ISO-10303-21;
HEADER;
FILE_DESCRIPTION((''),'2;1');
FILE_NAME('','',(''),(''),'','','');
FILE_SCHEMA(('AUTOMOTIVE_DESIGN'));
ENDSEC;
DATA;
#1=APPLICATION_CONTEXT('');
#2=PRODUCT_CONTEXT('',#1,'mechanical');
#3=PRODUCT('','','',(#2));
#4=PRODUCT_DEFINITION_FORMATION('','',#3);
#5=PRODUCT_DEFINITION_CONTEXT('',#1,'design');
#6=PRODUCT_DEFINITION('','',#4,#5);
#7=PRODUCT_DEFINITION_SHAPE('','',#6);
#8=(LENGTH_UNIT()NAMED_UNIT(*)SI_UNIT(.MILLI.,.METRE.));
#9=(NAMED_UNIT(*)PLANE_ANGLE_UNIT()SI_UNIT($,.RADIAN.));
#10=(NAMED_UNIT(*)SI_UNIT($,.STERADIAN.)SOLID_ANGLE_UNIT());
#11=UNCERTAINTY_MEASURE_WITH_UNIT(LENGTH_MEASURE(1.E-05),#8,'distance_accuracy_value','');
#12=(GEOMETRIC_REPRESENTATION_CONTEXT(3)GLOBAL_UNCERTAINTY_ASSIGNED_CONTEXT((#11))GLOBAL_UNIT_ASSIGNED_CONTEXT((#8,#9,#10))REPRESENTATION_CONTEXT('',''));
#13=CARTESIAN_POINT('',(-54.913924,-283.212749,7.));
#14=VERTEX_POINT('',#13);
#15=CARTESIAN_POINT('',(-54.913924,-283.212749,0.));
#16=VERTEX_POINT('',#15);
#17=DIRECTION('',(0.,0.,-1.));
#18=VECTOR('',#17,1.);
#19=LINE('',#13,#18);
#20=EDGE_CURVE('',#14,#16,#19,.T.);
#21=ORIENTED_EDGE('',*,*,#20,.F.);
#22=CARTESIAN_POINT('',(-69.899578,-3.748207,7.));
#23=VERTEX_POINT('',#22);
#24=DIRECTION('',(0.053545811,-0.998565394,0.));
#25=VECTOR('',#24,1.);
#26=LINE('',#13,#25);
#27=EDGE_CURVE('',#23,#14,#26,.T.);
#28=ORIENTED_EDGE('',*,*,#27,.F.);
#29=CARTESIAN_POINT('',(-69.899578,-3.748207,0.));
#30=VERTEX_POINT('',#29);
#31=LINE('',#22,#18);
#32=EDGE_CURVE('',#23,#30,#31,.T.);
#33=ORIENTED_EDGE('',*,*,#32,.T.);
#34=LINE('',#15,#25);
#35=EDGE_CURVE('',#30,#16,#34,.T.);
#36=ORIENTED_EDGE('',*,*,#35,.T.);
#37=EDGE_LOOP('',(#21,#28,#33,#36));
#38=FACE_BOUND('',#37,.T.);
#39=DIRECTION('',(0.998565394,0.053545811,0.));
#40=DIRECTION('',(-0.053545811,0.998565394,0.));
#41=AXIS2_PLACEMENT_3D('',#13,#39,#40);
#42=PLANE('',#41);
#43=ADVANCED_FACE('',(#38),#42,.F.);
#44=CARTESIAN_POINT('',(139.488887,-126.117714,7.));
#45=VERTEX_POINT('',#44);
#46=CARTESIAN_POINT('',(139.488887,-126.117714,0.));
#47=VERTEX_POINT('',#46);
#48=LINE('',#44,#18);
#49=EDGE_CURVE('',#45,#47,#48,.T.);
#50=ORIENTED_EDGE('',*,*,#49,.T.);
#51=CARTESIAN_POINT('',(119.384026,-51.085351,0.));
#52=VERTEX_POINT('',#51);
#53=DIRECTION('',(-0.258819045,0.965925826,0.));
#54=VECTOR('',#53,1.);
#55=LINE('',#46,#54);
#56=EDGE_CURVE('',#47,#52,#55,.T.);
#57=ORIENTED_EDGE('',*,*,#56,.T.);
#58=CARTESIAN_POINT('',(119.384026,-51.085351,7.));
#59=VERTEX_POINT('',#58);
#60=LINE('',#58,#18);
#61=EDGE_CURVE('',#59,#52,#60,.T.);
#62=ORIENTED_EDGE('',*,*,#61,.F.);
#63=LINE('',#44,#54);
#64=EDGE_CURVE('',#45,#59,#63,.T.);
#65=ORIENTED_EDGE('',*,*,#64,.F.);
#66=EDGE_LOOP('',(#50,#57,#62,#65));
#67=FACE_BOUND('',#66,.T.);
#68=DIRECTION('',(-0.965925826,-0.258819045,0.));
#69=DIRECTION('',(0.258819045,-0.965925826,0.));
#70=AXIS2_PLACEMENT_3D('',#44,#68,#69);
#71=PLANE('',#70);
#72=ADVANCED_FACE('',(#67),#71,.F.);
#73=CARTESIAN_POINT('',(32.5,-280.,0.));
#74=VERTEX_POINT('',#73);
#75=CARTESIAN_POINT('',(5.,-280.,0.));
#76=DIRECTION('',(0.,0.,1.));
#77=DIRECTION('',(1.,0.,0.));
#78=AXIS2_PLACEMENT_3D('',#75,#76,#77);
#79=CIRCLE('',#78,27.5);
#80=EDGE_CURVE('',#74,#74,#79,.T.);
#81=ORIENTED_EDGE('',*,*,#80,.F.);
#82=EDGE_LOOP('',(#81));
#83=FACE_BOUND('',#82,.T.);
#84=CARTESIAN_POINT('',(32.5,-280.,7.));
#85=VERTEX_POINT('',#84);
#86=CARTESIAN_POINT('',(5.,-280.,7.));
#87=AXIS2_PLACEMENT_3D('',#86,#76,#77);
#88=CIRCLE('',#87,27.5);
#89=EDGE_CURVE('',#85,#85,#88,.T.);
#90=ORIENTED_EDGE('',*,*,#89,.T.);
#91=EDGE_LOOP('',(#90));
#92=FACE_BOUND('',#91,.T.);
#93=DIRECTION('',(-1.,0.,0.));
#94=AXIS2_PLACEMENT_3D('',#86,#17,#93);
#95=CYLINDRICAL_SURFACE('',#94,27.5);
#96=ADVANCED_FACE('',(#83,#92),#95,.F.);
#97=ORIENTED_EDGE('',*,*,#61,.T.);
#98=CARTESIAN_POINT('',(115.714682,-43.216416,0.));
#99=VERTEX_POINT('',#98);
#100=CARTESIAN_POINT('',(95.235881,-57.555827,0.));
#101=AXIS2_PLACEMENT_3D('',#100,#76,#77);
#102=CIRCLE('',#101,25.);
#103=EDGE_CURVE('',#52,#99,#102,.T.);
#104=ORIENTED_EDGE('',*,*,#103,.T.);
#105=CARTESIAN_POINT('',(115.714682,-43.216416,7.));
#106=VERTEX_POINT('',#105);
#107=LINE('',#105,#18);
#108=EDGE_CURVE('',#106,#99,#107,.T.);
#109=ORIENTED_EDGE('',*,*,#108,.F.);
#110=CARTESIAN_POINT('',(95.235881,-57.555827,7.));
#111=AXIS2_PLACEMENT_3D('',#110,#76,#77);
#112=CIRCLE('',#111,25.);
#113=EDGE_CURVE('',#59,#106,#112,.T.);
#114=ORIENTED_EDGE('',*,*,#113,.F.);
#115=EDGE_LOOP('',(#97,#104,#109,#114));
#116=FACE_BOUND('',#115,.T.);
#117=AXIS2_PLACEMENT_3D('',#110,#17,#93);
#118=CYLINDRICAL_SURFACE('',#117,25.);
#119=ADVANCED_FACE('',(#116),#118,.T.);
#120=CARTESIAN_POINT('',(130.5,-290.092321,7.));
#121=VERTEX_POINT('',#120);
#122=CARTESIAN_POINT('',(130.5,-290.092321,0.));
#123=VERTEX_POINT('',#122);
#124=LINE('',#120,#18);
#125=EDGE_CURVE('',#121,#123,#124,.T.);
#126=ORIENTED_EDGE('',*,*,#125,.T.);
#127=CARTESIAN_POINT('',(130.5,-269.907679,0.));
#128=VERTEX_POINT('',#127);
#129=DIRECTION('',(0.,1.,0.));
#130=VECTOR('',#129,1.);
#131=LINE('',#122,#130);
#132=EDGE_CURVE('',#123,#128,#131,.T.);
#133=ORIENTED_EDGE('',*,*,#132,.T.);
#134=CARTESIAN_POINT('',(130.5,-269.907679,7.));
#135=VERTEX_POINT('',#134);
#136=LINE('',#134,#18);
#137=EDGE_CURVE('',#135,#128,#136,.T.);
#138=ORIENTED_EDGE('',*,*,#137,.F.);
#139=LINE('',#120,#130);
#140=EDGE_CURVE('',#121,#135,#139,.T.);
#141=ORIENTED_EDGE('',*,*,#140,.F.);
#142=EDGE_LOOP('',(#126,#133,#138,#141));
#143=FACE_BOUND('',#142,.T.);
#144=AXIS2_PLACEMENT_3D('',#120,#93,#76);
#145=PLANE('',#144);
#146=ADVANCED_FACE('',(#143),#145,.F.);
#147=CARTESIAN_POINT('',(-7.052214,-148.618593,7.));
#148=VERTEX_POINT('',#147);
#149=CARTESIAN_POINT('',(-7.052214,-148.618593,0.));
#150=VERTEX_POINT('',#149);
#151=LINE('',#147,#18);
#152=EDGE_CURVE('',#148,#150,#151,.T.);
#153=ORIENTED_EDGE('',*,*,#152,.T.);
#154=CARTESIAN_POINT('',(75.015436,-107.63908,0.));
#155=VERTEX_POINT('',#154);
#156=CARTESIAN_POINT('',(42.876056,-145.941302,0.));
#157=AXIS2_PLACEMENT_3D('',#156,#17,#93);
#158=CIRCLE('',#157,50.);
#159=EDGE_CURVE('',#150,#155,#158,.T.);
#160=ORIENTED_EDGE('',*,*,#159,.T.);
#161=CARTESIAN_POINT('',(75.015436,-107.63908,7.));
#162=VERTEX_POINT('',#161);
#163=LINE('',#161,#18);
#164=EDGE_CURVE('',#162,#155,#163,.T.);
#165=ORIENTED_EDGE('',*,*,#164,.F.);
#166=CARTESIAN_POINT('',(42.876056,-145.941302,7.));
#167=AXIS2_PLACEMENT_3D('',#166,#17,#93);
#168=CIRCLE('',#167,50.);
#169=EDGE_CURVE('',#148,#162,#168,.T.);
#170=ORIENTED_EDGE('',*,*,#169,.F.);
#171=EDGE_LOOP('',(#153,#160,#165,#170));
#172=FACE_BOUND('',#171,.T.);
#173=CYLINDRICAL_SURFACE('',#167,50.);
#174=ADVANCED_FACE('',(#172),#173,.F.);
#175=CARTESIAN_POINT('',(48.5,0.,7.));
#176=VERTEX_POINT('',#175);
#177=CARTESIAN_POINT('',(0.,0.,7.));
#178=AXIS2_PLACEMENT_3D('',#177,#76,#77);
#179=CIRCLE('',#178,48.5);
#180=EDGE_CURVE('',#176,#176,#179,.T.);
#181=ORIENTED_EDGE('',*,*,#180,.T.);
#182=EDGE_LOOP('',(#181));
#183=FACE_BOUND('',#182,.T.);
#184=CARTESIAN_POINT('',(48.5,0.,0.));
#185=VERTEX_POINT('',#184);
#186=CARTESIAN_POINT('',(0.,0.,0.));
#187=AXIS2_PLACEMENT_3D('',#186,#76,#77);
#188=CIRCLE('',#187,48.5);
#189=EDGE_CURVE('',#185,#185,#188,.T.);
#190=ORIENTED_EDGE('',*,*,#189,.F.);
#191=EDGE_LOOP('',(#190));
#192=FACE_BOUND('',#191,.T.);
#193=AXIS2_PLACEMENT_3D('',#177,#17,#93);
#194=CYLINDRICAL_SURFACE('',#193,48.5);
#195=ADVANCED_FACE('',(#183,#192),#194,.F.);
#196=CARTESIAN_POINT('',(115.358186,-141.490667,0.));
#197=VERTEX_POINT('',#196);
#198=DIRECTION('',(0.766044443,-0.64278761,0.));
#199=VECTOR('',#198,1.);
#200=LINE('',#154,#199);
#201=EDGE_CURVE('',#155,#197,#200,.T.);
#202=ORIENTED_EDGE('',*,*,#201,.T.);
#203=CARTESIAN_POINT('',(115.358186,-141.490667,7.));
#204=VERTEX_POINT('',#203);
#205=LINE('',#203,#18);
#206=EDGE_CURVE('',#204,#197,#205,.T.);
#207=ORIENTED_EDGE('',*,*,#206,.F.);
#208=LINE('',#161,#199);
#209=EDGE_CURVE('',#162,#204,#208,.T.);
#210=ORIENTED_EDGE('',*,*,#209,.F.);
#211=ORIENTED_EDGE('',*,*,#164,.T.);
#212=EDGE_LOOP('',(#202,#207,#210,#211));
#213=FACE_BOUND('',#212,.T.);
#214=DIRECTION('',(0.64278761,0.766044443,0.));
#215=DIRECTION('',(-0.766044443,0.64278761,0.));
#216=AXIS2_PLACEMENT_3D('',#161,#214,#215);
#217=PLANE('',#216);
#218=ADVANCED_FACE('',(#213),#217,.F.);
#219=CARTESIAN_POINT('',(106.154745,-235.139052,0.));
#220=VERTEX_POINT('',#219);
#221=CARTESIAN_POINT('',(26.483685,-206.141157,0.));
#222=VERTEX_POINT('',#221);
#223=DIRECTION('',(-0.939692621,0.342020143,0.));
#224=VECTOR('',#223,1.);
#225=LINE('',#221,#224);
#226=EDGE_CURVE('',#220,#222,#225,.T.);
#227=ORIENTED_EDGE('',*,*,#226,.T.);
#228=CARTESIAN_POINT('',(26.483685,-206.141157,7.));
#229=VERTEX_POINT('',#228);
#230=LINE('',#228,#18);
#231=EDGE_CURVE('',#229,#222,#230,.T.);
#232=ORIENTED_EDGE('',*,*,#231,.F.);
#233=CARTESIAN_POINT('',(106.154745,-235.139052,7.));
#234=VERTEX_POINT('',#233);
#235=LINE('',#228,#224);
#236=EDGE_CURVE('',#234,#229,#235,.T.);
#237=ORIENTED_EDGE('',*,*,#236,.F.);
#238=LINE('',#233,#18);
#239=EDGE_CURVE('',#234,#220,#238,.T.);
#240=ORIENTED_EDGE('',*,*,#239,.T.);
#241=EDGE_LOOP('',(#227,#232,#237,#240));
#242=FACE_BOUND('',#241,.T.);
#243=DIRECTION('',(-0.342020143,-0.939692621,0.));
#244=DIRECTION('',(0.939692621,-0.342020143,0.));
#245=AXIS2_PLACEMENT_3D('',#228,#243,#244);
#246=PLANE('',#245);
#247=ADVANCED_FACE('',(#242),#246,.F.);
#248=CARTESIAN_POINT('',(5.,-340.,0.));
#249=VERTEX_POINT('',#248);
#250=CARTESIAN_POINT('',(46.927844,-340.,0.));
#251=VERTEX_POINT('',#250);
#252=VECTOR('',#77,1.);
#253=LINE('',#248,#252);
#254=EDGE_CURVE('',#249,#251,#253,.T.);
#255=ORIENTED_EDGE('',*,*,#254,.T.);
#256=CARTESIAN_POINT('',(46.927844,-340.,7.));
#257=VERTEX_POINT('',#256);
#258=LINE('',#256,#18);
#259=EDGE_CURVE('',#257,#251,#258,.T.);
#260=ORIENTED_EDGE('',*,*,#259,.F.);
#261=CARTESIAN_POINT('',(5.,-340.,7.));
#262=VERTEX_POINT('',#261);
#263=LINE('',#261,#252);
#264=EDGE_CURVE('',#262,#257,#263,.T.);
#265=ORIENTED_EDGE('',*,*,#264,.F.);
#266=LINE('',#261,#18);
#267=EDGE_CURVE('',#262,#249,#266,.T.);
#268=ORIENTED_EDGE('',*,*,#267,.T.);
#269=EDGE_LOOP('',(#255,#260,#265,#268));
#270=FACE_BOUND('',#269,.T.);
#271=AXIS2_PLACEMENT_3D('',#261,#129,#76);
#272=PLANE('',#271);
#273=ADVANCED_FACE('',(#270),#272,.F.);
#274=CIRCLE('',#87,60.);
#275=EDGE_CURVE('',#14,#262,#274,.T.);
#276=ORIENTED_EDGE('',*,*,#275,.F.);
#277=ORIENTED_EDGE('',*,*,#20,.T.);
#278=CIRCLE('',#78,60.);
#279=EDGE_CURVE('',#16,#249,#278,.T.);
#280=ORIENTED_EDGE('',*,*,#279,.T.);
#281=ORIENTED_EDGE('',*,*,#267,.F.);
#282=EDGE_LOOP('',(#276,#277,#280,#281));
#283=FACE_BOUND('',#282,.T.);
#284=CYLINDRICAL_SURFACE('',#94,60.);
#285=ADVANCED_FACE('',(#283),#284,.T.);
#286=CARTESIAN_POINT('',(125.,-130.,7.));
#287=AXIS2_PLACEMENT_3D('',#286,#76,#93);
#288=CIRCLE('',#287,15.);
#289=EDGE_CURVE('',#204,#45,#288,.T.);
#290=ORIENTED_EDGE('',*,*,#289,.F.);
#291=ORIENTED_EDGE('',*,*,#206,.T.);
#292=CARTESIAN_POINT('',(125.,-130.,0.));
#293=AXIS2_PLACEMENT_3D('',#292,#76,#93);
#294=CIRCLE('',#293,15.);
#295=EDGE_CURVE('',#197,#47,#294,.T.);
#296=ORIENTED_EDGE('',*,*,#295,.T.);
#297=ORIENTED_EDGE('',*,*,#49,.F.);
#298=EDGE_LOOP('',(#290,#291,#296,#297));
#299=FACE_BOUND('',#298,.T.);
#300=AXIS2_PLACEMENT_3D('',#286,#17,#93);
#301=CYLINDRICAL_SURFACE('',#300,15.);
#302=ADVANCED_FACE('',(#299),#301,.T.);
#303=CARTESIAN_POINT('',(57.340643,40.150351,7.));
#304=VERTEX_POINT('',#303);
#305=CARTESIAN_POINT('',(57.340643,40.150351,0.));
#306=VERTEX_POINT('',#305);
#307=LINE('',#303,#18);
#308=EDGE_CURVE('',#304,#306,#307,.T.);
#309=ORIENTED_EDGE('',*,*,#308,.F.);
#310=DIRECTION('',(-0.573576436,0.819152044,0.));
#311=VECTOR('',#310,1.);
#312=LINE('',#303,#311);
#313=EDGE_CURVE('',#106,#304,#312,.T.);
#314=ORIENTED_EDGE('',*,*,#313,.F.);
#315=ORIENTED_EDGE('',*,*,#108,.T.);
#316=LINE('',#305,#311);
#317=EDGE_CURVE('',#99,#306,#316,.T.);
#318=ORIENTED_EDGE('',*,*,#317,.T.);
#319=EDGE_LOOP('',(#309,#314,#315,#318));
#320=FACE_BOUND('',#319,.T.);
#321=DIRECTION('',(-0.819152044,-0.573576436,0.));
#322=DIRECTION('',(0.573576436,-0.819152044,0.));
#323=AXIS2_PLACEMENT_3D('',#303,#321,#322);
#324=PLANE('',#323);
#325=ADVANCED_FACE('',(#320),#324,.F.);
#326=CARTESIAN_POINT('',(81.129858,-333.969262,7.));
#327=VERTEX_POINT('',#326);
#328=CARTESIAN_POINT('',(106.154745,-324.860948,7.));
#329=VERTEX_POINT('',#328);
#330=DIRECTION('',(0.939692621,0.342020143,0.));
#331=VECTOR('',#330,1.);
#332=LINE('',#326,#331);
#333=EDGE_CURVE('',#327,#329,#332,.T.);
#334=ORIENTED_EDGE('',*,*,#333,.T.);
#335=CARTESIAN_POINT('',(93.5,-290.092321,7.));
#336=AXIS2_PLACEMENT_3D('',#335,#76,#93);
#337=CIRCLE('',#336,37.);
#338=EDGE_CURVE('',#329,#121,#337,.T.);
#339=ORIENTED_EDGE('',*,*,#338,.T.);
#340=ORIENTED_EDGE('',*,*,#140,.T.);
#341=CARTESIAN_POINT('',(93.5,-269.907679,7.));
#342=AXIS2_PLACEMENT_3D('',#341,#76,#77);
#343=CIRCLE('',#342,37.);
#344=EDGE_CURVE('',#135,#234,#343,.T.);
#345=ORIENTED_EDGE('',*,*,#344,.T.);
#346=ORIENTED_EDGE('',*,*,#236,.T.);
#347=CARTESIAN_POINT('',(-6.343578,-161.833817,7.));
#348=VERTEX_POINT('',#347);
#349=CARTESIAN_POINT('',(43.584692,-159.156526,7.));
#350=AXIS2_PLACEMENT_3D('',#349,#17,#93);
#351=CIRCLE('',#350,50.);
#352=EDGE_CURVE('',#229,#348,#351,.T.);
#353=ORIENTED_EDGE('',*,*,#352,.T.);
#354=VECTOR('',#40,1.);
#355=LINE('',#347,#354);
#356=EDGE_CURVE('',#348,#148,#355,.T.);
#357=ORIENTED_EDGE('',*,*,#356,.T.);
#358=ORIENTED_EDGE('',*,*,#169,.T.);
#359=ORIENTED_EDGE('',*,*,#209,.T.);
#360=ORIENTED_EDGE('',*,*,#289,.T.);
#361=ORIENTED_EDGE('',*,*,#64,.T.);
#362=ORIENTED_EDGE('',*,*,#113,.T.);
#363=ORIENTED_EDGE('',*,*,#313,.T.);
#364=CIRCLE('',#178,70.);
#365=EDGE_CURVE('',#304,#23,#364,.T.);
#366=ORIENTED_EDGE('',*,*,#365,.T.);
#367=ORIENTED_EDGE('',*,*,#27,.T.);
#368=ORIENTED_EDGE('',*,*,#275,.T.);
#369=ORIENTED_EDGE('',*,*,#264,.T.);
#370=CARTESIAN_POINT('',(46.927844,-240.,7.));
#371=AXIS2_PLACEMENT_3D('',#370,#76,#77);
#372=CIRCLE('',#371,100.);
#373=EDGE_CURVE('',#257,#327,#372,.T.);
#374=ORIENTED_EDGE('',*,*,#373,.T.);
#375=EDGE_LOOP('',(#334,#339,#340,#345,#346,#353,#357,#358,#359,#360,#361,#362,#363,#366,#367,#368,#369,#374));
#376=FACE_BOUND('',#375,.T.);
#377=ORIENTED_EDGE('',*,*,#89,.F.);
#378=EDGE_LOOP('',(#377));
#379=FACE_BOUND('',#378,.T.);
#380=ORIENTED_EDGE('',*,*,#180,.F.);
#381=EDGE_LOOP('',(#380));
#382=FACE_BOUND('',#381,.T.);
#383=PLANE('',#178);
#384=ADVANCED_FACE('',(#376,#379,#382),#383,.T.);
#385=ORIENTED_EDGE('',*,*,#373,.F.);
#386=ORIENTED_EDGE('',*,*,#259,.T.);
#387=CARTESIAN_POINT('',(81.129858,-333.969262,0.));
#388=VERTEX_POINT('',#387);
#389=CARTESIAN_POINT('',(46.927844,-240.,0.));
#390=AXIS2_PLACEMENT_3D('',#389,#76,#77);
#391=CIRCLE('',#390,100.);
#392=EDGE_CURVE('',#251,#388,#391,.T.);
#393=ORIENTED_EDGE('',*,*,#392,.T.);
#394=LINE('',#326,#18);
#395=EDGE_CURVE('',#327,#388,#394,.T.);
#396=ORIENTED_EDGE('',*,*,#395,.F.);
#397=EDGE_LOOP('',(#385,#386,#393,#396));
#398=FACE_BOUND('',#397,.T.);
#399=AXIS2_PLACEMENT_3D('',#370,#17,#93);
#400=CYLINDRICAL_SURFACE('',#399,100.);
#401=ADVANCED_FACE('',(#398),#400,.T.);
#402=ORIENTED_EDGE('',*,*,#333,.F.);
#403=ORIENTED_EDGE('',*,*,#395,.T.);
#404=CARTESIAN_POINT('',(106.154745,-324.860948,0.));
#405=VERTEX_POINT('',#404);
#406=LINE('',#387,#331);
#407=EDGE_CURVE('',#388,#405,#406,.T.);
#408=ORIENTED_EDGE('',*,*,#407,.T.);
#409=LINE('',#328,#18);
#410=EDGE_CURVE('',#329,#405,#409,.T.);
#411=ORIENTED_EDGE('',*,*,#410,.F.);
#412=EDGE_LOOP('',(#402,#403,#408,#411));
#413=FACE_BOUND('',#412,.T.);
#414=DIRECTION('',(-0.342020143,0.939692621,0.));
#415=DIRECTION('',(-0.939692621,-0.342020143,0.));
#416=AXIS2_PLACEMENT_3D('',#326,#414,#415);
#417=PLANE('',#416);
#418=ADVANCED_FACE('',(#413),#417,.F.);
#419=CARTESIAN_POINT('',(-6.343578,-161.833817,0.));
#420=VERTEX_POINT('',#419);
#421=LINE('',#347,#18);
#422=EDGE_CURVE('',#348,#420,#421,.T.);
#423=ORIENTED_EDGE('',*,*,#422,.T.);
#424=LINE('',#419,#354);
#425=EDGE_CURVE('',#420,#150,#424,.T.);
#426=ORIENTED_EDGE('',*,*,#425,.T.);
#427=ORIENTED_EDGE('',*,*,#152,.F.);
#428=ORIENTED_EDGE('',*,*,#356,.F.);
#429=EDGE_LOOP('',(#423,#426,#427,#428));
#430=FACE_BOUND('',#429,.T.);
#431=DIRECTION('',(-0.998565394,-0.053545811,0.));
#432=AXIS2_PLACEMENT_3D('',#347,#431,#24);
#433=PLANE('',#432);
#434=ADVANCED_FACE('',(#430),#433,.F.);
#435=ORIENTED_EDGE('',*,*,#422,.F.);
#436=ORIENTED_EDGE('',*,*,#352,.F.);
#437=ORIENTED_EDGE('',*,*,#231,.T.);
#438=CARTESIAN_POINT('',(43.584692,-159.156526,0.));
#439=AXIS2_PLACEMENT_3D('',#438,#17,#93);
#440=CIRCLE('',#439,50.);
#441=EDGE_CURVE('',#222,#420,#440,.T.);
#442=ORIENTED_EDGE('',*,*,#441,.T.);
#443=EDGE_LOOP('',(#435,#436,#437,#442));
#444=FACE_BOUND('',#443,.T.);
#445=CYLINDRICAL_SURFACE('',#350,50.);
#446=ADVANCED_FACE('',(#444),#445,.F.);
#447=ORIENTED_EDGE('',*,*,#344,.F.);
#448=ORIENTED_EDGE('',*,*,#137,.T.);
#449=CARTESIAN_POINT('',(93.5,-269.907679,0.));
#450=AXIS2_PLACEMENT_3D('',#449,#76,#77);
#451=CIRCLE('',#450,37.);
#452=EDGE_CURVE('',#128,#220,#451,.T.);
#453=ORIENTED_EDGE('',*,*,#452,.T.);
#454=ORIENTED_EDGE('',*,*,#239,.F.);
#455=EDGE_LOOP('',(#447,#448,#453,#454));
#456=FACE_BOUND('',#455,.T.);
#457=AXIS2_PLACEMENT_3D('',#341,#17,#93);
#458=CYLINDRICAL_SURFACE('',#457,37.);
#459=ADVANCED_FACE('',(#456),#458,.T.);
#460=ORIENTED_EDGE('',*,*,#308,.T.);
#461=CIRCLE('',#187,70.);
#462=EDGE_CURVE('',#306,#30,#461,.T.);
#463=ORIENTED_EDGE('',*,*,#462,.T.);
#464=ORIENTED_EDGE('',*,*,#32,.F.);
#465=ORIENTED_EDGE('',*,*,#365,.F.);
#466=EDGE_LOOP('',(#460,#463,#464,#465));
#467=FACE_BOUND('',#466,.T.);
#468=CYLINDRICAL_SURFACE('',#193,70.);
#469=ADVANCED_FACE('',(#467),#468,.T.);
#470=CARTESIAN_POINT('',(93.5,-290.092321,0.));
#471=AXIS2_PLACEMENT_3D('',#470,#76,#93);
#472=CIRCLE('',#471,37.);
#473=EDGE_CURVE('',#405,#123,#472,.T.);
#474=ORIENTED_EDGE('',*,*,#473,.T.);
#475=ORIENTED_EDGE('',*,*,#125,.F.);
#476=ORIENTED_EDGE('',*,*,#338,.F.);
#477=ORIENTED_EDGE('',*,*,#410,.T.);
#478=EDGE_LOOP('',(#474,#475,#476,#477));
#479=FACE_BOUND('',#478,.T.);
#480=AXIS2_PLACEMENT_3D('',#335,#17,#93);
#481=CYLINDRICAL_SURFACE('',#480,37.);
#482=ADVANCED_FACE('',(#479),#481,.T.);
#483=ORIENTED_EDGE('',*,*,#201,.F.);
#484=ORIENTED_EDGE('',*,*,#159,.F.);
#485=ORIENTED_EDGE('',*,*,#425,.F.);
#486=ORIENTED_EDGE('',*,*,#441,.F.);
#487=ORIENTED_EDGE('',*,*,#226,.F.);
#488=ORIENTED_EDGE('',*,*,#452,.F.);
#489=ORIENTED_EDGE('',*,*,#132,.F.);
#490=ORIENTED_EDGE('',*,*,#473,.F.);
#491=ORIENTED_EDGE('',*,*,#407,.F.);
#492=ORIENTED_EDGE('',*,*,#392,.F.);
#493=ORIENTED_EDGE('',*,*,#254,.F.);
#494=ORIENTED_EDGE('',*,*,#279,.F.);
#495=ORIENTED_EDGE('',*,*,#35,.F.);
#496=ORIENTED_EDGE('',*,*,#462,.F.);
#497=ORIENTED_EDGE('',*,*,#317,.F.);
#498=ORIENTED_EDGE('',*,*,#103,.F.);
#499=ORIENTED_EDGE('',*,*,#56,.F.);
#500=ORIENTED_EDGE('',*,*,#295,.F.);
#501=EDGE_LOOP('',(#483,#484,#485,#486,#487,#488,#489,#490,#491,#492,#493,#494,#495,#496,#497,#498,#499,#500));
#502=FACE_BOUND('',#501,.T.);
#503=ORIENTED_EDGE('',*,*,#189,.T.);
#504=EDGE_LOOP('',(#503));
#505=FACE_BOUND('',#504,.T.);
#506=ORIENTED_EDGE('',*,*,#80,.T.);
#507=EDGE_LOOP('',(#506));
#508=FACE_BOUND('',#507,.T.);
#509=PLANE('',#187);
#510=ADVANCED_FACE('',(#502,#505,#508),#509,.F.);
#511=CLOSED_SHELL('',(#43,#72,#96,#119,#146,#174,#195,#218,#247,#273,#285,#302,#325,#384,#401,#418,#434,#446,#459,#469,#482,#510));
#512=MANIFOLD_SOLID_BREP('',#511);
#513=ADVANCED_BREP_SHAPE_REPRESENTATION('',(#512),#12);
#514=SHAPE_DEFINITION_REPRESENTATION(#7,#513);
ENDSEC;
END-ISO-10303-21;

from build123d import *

# Parameters (mm, degrees)
SKETCH1_R          = 48.5
SKETCH1_R_2        = 27.5
BASE_EXTRUDE_DEPTH = 7


with BuildPart() as part:
    # Sketch1 → Base-Extrude (new body)
    with BuildSketch(Plane.XY):
        with BuildLine():
            Line((-6.343577624, -161.833816921), (-7.052214122, -148.618592863))
            ThreePointArc((-7.052214122, -148.618592863), (20.539062499, -101.208107275), (75.015436064, -107.639080177))
            Line((75.015436064, -107.639080177), (115.358185855, -141.490666647))
            ThreePointArc((115.358185855, -141.490666647), (133.059494125, -142.650871687), (139.488887394, -126.117714323))
            Line((139.488887394, -126.117714323), (119.384026274, -51.085351142))
            ThreePointArc((119.384026274, -51.085351142), (117.893575292, -46.990370726), (115.714681724, -43.216416361))
            Line((115.714681724, -43.216416361), (57.3406431, 40.150350545))
            ThreePointArc((57.3406431, 40.150350545), (-22.829860749, 66.172482636), (-69.899577583, -3.748206743))
            Line((-69.899577583, -3.748206743), (-54.913923642, -283.212748636))
            ThreePointArc((-54.913923642, -283.212748636), (-36.27490207, -323.547473625), (5, -340))
            Line((5, -340), (46.927843862, -340))
            ThreePointArc((46.927843862, -340), (64.292661629, -338.480775301), (81.129858195, -333.969262079))
            Line((81.129858195, -333.969262079), (106.154745303, -324.860948055))
            ThreePointArc((106.154745303, -324.860948055), (123.808625639, -311.314649231), (130.5, -290.092321086))
            Line((130.5, -290.092321086), (130.5, -269.907678914))
            ThreePointArc((130.5, -269.907678914), (123.808625639, -248.685350769), (106.154745303, -235.139051945))
            Line((106.154745303, -235.139051945), (26.483684912, -206.14115743))
            ThreePointArc((26.483684912, -206.14115743), (3.409872911, -188.922008159), (-6.343577624, -161.833816921))
        make_face()
        Circle(SKETCH1_R, mode=Mode.SUBTRACT)
        with Locations((5, -280)):
            Circle(SKETCH1_R_2, mode=Mode.SUBTRACT)
    extrude(amount=BASE_EXTRUDE_DEPTH)


solid = part.part
